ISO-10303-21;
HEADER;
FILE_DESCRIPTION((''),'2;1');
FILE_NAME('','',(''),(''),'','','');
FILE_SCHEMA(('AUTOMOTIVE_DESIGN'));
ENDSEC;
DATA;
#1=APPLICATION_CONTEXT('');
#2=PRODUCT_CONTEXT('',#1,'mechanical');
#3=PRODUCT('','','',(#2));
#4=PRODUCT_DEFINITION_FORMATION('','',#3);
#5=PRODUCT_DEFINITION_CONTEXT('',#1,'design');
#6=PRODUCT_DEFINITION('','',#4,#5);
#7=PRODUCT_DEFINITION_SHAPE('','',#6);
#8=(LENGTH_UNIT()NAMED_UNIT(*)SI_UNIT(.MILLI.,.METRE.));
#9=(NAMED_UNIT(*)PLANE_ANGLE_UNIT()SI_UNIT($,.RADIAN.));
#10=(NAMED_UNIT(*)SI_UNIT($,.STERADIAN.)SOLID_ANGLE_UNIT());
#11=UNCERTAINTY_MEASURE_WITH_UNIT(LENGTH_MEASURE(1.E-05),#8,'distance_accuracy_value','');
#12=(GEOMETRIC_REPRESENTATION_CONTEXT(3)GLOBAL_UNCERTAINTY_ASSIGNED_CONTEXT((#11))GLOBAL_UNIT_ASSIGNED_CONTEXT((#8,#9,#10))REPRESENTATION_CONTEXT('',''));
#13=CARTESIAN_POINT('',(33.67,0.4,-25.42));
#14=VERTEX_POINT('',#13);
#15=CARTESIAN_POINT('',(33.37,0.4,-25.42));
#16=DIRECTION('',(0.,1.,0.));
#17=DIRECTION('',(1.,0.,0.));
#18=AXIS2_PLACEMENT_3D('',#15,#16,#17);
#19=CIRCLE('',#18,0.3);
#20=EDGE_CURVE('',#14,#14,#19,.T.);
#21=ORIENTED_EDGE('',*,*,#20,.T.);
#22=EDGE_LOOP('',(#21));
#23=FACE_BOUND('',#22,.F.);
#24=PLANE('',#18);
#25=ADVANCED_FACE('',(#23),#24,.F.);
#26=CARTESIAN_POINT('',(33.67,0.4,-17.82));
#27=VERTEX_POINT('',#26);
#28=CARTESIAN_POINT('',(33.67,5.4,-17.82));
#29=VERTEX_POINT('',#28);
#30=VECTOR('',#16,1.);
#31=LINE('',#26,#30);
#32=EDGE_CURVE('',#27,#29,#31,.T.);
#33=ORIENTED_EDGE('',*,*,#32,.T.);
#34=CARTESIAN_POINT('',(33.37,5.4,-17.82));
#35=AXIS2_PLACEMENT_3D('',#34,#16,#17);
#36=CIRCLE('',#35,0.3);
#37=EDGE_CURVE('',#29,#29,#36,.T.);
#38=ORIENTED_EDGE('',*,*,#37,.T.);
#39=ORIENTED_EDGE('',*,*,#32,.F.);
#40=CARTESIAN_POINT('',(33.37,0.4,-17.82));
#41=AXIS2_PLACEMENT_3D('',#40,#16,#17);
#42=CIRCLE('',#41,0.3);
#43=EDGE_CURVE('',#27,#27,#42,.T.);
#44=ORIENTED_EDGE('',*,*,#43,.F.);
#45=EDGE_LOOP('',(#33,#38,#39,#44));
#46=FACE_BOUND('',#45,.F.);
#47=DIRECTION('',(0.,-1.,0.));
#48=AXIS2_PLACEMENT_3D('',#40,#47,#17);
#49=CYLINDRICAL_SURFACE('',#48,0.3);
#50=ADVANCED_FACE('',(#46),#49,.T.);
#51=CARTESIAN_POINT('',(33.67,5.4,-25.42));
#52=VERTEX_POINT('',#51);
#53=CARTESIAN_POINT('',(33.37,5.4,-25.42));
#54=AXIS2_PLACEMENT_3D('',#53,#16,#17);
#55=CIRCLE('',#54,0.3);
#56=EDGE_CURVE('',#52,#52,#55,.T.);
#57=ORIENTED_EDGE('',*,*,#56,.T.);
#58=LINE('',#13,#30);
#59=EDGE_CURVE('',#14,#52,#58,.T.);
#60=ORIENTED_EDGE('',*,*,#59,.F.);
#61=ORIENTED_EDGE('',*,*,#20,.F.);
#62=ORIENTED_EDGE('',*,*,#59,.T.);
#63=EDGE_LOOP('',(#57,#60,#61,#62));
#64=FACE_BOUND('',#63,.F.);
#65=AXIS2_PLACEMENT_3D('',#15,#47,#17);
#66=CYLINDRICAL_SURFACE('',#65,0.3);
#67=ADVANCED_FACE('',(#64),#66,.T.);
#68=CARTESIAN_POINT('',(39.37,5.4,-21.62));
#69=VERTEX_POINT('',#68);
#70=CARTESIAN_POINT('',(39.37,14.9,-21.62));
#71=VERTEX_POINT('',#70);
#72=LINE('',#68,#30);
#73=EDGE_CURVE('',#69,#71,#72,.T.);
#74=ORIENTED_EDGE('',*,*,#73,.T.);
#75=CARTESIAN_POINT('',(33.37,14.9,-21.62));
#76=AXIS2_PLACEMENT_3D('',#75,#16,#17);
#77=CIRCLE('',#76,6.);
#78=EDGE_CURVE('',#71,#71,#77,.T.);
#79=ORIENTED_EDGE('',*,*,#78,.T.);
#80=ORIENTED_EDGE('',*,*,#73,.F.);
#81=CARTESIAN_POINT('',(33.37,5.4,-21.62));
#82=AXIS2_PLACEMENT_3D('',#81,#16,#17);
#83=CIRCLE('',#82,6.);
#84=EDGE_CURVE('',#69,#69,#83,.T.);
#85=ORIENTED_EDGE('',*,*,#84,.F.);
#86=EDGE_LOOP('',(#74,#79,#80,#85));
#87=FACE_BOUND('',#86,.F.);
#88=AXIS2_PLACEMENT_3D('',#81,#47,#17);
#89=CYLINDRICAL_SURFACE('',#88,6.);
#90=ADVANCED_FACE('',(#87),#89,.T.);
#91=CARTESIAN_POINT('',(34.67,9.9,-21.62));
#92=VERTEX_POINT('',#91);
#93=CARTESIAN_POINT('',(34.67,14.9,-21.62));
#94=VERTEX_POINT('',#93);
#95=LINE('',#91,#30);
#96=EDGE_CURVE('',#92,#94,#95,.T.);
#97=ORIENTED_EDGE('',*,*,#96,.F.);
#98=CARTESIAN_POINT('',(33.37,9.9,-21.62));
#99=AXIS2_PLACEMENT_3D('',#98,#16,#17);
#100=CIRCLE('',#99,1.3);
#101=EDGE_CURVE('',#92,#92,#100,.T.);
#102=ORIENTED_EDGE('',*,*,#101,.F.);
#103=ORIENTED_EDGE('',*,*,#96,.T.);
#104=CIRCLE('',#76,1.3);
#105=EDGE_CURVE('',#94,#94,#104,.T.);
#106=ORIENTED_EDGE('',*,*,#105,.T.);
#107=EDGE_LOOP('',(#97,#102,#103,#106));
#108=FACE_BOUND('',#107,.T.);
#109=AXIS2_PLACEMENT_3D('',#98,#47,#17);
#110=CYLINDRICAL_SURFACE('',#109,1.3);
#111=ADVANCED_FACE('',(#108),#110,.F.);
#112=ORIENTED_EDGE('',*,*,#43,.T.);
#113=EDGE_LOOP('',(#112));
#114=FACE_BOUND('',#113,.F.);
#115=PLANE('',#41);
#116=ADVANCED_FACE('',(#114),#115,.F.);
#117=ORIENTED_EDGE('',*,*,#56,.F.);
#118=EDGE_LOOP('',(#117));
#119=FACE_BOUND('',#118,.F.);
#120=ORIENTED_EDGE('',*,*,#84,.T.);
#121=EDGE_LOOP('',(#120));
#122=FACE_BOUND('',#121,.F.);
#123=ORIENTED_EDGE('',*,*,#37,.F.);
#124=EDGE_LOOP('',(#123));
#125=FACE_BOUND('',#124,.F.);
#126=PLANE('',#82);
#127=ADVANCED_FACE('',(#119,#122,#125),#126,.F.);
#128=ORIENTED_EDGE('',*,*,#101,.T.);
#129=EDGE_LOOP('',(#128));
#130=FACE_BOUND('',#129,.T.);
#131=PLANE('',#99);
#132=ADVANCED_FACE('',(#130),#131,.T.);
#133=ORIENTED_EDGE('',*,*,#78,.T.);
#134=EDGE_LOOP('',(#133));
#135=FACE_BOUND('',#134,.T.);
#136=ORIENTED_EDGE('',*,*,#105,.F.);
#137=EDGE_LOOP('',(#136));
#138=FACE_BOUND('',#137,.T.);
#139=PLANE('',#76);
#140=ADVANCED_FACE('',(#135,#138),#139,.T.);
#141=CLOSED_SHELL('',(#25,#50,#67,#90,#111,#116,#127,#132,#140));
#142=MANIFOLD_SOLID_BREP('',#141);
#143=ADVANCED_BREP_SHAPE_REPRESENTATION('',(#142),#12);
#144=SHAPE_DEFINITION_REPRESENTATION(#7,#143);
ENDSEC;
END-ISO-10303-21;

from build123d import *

# Parameters (mm, degrees)
CYLINDER002_R     = 0.3
CYLINDER002_DEPTH = 5
CYLINDER001_R     = 1.3
CYLINDER001_DEPTH = 5
CYLINDER_R        = 6
CYLINDER_DEPTH    = 9.5
CYLINDER003_R     = 0.3
CYLINDER003_DEPTH = 5
FUSION_ROLL_ANGLE = -90


with BuildPart() as buz_pin1:
    # Cylinder002 → Cylinder002 (new body)
    with BuildSketch(Plane(origin=(0, -3.8, -5), x_dir=(1, 0, 0), z_dir=(0, 0, 1))):
        Circle(CYLINDER002_R)
    extrude(amount=CYLINDER002_DEPTH)


with BuildPart() as buz_hole:
    # Cylinder001 → Cylinder001 (new body)
    with BuildSketch(Plane.XY.offset(4.5)):
        Circle(CYLINDER001_R)
    extrude(amount=CYLINDER001_DEPTH)


with BuildPart() as cut:
    # Cylinder → Cylinder (new body)
    with BuildSketch(Plane.XY):
        Circle(CYLINDER_R)
    extrude(amount=CYLINDER_DEPTH)

    # Cut: cut buz-hole
    add(buz_hole.part, mode=Mode.SUBTRACT)


with BuildPart() as buzzer12mm:
    # Cylinder003 → Cylinder003 (new body)
    with BuildSketch(Plane(origin=(0, 3.8, -5), x_dir=(1, 0, 0), z_dir=(0, 0, 1))):
        Circle(CYLINDER003_R)
    extrude(amount=CYLINDER003_DEPTH)

    # Fusion: union buz-pin1, Cut
    add(buz_pin1.part)
    add(cut.part)


with BuildPart() as buzzer12mm_1:
    # Fusion roll: moved
    add(buzzer12mm.part.rotate(Axis((0, 0, 0), (1, 0, 0)), FUSION_ROLL_ANGLE))


with BuildPart() as buzzer12mm_2:
    # Fusion placement: moved
    add(buzzer12mm_1.part.moved(Location((33.37, 5.4, -21.62))))


solid = buzzer12mm_2.part
